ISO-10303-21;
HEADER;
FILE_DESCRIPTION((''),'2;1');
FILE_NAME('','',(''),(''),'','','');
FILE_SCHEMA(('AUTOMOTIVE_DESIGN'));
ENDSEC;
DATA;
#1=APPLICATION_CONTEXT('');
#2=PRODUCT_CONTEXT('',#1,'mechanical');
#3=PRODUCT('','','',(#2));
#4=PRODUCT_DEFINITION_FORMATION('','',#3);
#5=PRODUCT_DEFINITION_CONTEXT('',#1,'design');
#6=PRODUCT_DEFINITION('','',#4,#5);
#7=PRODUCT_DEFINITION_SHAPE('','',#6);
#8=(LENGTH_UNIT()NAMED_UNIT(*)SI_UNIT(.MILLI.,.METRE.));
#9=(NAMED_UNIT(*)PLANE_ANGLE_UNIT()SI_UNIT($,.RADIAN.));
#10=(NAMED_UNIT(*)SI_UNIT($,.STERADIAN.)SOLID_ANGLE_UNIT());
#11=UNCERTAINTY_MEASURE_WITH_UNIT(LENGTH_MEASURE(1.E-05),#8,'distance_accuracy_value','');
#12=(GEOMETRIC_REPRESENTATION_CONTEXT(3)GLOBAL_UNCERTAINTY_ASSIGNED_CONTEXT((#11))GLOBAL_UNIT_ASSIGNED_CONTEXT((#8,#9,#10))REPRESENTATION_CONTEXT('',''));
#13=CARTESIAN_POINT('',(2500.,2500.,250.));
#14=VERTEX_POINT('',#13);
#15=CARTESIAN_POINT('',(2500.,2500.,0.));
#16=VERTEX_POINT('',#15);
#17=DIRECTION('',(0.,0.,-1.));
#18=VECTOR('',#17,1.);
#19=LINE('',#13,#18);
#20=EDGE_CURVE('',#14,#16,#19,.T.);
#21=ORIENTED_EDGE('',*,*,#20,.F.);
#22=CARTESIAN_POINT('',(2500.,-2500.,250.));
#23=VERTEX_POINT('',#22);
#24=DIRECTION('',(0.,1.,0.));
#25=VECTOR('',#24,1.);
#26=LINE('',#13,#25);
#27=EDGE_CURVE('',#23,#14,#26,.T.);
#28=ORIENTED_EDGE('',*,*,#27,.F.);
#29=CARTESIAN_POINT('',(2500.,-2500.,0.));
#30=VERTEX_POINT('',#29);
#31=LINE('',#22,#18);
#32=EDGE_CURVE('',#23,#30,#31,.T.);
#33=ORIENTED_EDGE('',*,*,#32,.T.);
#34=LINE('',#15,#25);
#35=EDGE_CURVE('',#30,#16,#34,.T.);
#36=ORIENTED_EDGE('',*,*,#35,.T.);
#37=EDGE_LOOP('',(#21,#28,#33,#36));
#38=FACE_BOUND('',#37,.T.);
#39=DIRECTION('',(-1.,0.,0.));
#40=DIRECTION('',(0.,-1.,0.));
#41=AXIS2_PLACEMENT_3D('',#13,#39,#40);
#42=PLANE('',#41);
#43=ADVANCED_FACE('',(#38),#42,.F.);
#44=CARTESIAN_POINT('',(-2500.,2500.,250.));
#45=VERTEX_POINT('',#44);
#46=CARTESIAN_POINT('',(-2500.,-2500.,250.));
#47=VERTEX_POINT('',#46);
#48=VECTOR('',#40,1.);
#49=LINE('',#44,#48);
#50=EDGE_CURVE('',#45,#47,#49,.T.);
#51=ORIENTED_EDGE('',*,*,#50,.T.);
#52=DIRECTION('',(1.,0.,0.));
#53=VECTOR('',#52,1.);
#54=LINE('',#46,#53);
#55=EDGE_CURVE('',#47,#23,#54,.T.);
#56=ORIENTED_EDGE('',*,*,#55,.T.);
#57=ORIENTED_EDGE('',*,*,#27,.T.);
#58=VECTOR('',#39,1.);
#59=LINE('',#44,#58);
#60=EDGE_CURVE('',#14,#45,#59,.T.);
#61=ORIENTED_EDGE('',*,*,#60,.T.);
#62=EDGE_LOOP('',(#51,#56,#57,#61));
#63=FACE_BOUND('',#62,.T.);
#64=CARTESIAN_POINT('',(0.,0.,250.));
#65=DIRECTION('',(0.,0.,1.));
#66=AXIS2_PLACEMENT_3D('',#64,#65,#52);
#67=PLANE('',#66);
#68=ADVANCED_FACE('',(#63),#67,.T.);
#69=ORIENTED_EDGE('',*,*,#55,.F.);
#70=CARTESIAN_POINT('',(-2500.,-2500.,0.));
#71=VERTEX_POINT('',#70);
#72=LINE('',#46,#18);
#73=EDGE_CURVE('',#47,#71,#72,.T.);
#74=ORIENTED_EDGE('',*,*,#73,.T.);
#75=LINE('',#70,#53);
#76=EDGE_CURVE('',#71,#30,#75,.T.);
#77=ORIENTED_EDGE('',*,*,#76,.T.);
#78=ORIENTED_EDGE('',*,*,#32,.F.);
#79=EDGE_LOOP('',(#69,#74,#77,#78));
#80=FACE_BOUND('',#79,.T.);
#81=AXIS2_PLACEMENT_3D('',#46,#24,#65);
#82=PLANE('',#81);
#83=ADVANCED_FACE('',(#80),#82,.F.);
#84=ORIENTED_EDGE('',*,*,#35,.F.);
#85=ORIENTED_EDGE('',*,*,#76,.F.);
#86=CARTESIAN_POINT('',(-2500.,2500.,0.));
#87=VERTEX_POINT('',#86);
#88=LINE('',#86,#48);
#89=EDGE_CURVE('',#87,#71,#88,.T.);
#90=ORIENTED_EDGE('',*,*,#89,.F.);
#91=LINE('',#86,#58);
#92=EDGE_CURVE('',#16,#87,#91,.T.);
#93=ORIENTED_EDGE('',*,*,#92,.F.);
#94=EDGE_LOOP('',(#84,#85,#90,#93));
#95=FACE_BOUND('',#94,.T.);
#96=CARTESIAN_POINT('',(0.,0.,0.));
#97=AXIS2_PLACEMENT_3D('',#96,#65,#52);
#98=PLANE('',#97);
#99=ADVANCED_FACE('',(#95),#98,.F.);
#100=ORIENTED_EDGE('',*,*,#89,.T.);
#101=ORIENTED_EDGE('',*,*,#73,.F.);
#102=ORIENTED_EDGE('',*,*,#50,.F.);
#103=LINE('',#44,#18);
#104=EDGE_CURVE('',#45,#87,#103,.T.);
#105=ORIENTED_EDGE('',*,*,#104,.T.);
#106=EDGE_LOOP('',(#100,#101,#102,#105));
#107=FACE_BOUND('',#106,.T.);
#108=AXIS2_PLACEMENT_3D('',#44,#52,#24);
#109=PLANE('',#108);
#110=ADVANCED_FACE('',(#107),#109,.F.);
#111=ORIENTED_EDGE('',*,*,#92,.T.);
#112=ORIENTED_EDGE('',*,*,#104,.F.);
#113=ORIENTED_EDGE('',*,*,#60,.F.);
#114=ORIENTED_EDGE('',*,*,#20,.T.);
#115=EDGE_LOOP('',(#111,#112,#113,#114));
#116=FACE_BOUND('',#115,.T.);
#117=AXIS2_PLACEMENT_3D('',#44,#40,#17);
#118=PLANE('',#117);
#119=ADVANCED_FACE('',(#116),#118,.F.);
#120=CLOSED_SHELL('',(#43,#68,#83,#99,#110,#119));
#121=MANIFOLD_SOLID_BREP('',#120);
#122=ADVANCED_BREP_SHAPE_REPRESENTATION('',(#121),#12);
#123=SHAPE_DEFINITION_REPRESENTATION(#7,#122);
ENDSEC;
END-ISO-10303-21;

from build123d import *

# Parameters (mm, degrees)
SKETCH1_W           = 5000
SKETCH1_H           = 5000
BOSS_EXTRUDE1_DEPTH = 250


with BuildPart() as part:
    # Sketch1 → Boss-Extrude1 (new body)
    with BuildSketch(Plane.XY):
        Rectangle(SKETCH1_W, SKETCH1_H)
    extrude(amount=BOSS_EXTRUDE1_DEPTH)


solid = part.part
